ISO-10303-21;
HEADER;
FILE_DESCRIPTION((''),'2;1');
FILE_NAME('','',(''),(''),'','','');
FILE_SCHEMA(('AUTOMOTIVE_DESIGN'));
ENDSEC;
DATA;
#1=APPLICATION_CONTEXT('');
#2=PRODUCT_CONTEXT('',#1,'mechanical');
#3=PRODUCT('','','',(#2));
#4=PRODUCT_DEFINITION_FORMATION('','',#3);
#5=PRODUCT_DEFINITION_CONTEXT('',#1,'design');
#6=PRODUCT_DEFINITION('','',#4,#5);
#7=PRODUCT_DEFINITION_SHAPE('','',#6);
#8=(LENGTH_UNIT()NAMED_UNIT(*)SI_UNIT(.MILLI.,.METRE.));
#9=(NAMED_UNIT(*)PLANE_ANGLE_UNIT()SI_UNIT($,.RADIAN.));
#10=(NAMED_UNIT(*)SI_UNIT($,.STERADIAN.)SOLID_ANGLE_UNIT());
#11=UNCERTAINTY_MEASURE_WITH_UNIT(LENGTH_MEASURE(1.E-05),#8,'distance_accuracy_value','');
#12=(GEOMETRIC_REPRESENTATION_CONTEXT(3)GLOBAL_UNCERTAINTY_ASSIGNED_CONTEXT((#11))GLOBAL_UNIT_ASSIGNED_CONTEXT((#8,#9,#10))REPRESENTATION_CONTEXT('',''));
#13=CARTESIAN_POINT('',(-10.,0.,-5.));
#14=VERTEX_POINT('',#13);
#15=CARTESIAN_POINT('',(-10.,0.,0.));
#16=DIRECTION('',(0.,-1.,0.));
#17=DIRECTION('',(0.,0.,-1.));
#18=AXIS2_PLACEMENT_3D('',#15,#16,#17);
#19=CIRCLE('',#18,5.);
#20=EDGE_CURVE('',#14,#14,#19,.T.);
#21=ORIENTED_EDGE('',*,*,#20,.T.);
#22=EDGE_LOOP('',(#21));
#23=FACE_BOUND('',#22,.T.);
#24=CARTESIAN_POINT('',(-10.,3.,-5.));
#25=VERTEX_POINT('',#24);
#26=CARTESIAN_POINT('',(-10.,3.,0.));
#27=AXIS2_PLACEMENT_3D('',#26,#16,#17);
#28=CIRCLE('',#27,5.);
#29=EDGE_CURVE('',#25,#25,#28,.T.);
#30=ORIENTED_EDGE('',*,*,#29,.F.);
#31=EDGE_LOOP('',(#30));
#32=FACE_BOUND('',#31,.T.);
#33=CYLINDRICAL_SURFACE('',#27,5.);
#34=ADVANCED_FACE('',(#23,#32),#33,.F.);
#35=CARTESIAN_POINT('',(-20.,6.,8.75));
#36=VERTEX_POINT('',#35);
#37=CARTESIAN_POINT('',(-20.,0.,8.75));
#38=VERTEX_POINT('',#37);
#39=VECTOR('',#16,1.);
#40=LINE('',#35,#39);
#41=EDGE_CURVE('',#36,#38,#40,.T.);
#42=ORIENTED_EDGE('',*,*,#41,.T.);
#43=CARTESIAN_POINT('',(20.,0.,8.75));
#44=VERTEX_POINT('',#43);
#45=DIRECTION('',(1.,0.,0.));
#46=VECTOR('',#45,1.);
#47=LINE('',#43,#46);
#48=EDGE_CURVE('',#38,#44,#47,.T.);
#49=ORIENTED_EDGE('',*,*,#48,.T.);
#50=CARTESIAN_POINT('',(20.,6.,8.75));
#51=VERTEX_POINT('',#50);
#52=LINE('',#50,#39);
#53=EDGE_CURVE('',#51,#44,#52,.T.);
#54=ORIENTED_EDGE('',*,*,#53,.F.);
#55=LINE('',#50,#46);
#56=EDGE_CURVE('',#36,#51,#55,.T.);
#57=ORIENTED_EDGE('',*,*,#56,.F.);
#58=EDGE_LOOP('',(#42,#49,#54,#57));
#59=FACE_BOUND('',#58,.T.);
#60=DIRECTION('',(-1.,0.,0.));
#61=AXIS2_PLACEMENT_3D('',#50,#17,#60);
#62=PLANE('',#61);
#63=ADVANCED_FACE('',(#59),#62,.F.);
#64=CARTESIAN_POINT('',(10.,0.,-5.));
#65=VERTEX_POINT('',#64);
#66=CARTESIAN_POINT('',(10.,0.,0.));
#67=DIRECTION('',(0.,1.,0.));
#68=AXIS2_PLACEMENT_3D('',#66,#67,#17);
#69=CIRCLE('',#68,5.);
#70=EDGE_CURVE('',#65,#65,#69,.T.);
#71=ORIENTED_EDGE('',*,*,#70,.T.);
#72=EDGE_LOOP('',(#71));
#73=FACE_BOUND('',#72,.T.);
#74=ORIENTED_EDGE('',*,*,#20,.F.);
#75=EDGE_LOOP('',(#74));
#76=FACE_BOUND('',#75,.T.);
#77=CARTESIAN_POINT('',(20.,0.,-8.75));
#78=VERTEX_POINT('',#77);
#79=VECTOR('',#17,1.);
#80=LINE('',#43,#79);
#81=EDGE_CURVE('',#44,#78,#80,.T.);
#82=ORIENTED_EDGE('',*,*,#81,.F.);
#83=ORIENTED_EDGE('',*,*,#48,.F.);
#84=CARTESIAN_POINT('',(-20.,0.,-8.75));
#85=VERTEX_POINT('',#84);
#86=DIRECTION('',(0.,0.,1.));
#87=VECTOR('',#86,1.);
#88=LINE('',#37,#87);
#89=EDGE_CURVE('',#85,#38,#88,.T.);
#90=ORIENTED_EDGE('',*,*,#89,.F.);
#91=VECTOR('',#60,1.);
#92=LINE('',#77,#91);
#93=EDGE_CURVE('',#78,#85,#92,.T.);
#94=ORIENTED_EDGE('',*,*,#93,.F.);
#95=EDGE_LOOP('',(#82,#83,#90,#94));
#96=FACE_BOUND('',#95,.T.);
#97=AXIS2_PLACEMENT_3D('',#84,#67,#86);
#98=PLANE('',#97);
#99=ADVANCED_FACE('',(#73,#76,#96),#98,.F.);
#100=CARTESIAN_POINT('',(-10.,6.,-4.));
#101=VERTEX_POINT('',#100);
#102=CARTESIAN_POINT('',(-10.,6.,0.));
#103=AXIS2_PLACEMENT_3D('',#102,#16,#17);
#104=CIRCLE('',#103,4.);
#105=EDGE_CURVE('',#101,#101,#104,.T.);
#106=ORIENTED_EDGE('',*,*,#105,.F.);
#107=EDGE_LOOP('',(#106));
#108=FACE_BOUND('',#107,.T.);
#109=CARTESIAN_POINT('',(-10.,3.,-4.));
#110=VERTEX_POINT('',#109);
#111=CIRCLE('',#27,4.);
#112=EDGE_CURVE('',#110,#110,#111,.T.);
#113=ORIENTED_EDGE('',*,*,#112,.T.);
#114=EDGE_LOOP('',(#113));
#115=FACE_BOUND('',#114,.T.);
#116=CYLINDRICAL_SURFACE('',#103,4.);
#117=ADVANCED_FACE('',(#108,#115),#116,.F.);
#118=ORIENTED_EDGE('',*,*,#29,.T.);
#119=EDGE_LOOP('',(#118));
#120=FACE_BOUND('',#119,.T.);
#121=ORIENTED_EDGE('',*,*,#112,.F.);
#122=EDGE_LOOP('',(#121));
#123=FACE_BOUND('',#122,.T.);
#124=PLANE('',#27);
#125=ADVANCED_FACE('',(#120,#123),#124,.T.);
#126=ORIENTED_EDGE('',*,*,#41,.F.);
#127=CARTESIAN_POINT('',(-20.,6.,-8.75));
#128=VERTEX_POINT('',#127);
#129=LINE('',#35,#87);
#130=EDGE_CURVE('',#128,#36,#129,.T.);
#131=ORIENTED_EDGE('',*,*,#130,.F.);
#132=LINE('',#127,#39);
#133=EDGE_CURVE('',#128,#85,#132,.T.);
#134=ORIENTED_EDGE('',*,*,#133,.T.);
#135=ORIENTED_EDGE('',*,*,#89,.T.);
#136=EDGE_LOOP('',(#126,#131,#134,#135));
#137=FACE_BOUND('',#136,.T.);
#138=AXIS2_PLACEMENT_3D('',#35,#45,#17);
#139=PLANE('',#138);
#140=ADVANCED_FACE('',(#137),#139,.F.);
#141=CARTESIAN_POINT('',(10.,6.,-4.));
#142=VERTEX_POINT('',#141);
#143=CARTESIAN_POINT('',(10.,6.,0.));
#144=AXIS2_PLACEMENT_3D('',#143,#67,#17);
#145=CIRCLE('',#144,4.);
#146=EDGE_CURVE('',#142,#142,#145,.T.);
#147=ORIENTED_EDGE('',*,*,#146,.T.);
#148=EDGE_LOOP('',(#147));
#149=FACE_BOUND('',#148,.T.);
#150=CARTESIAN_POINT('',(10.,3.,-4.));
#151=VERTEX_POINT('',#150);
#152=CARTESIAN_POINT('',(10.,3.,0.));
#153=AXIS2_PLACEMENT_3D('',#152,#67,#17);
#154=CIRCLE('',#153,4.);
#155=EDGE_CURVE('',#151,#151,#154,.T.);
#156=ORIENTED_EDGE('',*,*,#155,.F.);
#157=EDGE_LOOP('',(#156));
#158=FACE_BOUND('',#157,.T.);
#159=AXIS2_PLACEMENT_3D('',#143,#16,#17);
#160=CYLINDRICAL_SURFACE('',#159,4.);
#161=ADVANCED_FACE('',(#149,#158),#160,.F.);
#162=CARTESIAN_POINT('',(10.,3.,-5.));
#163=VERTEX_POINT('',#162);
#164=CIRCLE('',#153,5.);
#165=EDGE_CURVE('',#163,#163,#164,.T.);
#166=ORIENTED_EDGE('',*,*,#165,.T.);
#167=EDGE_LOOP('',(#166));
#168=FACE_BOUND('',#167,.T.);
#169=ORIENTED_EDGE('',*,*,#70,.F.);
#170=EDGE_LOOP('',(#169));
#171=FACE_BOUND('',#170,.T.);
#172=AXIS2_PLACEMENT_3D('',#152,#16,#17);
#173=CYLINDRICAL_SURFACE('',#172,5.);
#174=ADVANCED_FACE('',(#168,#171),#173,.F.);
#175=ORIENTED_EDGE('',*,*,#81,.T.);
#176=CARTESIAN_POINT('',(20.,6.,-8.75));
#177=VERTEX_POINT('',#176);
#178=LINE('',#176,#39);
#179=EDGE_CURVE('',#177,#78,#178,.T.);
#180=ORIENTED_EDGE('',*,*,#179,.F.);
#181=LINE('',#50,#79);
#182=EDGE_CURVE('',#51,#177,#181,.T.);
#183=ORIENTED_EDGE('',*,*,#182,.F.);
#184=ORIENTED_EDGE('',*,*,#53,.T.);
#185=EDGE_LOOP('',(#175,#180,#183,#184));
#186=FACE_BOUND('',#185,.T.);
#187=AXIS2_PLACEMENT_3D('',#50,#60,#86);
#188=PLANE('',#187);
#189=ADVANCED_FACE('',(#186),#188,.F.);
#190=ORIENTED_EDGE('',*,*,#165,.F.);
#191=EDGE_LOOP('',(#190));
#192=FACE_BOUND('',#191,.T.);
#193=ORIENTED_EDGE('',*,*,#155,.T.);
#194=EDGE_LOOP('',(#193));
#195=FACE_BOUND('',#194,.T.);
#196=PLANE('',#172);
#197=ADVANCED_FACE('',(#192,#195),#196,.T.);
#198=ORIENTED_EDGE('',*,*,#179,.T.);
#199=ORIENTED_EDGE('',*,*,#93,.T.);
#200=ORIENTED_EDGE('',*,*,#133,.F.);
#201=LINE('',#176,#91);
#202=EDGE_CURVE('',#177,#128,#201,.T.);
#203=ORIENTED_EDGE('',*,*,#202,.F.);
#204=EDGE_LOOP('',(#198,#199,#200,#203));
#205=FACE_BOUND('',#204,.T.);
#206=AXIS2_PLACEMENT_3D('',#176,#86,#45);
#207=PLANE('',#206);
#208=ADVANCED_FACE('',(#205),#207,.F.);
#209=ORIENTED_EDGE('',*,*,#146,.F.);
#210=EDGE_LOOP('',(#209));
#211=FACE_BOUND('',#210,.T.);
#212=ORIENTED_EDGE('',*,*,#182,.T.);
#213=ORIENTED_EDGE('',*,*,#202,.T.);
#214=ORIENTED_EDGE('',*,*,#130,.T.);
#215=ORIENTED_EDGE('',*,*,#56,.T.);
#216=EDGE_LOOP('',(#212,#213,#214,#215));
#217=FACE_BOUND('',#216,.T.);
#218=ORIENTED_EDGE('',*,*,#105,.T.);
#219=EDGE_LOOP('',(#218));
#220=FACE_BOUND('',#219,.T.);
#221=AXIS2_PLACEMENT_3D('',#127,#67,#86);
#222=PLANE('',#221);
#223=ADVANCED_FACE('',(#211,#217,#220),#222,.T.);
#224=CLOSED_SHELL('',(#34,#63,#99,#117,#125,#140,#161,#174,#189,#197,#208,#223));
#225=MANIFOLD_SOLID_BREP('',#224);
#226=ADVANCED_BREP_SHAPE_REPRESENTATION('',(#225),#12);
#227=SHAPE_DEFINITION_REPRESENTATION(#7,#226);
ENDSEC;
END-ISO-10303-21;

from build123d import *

# Parameters (mm, degrees)
SKETCH5_W       = 40
SKETCH5_H       = 17.5
EXTRUDE8_DEPTH  = 6
SKETCH7_R       = 5
EXTRUDE9_DEPTH  = 3
SKETCH8_R       = 4
EXTRUDE10_DEPTH = 3


with BuildPart() as part:
    # Sketch5 → Extrude8 (new body)
    with BuildSketch(Plane(origin=(0, 0, 0), x_dir=(1, 0, 0), z_dir=(0, 1, 0))):
        Rectangle(SKETCH5_W, SKETCH5_H)
    extrude(amount=EXTRUDE8_DEPTH)

    # Sketch7 → Extrude9 (cut)
    with BuildSketch(Plane.XZ):
        with Locations(Location((-10, 0, 0), (0, 0, 270))):  # turned: the seam where the file's is
            Circle(SKETCH7_R)
    extrude9 = extrude(amount=-EXTRUDE9_DEPTH, mode=Mode.SUBTRACT)

    # Sketch8 → Extrude10 (cut)
    with BuildSketch(Plane.XZ.offset(-3)):
        with Locations(Location((-10, 0, 0), (0, 0, 270))):  # turned: the seam where the file's is
            Circle(SKETCH8_R)
    extrude10 = extrude(amount=-EXTRUDE10_DEPTH, mode=Mode.SUBTRACT)

    # Mirror2: Extrude9, Extrude10 across plane
    add(extrude9.mirror(Plane(origin=(0, 0, 0), x_dir=(0, 0, 1), z_dir=(1, 0, 0))), mode=Mode.SUBTRACT)
    add(extrude10.mirror(Plane(origin=(0, 0, 0), x_dir=(0, 0, 1), z_dir=(1, 0, 0))), mode=Mode.SUBTRACT)


solid = part.part
